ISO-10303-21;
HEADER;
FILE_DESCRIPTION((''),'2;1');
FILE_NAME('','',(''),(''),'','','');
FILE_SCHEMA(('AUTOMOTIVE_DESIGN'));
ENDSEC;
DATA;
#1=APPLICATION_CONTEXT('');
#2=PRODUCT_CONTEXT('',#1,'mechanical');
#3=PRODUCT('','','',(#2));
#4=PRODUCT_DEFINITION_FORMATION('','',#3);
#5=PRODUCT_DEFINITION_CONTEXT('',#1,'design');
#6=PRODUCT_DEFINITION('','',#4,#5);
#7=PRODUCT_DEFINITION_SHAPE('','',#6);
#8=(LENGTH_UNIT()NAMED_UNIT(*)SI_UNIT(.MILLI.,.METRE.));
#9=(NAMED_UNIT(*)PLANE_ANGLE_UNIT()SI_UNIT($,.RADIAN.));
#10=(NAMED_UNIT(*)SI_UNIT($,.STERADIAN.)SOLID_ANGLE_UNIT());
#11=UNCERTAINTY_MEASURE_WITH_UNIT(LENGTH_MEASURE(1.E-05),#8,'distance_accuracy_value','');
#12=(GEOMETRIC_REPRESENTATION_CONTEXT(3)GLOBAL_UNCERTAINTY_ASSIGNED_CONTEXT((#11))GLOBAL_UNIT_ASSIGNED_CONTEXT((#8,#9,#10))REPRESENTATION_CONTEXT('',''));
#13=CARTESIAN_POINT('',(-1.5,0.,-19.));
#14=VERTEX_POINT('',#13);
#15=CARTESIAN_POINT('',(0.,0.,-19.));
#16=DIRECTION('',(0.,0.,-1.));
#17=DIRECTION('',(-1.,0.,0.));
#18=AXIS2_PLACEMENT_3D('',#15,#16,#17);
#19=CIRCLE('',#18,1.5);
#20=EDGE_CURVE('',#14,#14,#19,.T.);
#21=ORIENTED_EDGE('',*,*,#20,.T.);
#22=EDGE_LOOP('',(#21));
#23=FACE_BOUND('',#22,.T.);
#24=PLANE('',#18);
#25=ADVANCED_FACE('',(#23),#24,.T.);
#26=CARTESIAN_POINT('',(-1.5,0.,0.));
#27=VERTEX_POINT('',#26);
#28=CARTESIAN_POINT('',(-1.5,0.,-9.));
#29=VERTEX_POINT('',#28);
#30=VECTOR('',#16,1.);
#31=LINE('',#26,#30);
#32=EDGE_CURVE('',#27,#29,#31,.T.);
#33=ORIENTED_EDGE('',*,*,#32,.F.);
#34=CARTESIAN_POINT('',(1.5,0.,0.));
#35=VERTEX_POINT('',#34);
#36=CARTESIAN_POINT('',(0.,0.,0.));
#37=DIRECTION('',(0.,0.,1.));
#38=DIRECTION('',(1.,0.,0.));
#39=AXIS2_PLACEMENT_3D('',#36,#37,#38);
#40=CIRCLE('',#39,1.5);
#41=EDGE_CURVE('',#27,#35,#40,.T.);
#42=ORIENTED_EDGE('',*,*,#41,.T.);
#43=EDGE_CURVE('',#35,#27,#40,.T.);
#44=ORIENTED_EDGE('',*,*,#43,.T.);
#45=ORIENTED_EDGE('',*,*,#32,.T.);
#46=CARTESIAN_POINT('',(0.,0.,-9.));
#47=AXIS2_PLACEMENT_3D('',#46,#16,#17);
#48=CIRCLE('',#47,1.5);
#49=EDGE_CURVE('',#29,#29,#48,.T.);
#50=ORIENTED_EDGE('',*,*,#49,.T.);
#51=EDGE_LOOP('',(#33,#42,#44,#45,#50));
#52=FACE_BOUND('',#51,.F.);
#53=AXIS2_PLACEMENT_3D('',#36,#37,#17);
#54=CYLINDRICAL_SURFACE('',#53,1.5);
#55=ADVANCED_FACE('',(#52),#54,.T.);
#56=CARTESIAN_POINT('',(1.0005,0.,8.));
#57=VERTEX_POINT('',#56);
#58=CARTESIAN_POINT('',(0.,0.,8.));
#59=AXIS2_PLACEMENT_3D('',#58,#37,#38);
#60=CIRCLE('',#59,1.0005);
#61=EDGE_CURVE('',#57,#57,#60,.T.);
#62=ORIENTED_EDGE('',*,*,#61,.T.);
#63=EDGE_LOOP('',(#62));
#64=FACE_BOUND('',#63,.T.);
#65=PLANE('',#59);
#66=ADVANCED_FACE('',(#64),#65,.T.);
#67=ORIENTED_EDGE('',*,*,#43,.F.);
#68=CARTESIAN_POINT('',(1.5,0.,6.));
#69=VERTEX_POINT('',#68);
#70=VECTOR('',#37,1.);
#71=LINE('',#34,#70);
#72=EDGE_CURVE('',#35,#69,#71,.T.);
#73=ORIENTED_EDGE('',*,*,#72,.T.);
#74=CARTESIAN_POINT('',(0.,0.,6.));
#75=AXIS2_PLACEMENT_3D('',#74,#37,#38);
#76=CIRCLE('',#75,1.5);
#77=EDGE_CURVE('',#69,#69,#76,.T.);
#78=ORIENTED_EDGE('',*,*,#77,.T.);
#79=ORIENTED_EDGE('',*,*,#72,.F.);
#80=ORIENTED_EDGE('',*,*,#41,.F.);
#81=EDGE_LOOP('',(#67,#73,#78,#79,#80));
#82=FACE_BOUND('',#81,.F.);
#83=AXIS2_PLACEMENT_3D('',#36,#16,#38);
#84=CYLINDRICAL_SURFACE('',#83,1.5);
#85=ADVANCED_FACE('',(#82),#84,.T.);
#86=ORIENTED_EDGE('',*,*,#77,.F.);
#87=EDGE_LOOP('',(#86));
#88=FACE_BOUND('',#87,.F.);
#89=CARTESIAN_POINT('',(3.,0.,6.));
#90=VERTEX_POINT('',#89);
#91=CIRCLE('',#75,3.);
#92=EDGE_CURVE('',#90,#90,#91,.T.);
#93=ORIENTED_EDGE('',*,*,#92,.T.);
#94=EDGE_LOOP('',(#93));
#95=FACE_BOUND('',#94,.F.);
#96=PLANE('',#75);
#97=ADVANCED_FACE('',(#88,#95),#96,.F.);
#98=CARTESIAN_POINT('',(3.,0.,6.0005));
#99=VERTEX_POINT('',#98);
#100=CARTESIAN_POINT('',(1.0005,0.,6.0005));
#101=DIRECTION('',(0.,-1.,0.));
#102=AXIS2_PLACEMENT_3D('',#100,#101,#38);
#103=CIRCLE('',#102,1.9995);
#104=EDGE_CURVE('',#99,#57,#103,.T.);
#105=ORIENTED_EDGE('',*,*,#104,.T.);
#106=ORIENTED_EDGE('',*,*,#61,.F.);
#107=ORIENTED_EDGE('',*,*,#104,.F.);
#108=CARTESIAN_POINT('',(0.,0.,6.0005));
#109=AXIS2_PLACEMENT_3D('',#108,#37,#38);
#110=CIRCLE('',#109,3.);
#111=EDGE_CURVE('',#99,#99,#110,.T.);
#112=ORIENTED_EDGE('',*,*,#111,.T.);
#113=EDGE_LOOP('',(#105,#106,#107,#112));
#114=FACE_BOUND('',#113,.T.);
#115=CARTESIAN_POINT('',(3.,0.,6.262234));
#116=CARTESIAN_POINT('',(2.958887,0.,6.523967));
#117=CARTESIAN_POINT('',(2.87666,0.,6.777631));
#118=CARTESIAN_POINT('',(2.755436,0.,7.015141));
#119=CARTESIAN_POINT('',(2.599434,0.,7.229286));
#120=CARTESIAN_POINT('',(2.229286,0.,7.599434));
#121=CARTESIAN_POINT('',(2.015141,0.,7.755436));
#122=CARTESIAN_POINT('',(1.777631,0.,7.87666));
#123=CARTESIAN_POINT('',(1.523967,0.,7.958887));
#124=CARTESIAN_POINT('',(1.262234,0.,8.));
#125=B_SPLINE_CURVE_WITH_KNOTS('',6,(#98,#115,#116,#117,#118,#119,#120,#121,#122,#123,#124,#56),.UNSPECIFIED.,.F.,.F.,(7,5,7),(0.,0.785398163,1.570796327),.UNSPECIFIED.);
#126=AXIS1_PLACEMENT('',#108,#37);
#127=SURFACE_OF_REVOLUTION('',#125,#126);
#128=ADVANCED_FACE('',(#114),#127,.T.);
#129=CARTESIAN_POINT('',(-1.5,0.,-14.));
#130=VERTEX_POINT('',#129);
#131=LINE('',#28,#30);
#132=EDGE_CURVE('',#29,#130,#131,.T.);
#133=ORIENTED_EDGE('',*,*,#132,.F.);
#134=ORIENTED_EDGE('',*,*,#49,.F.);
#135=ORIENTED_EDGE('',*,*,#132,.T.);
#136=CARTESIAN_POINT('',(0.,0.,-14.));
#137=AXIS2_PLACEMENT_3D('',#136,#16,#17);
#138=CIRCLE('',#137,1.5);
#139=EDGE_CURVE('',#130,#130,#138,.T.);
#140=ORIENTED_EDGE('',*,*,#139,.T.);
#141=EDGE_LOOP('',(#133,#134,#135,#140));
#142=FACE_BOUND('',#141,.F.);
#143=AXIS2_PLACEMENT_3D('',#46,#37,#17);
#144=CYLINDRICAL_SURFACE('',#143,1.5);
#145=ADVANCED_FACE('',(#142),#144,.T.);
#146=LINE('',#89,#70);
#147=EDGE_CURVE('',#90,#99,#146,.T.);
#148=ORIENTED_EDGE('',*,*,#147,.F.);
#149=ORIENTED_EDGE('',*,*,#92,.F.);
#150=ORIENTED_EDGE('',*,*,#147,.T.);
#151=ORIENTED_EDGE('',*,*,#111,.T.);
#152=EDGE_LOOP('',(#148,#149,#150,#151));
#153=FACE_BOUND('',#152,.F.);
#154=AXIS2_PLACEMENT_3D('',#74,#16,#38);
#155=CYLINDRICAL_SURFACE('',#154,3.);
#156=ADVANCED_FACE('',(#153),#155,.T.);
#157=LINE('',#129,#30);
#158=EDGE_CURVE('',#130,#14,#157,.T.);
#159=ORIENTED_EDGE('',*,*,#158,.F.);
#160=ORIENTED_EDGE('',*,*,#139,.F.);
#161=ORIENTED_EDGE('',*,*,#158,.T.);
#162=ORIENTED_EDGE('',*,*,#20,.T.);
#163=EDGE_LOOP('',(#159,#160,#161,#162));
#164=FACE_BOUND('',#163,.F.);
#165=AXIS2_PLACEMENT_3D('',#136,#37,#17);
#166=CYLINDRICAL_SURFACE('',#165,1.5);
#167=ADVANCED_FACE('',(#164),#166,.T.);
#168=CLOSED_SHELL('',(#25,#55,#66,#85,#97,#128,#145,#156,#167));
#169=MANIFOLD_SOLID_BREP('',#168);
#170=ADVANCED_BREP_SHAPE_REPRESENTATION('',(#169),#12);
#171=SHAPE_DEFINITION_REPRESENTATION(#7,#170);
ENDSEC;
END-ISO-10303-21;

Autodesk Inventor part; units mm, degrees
ref_plane "YZ Plane" through (0, 0, 0) normal (1, 0, 0) x (0, 1, 0)
ref_plane "XZ Plane" through (0, 0, 0) normal (0, 1, 0) x (-1, 0, 0)
ref_plane "XY Plane" through (0, 0, 0) normal (0, 0, 1) x (1, 0, 0)
sketch "スケッチ1" plane through (0, 0, 0) normal (0, 0, 1) x (1, 0, 0)
  circle A0 centre (0, 0) radius 1.5
  dimension "d0" = 3
extrude "押し出し1" add sketch "スケッチ1" along normal blind 6
sketch "スケッチ2" plane through (0, 0, 6) normal (0, 0, 1) x (1, 0, 0)
  circle A0 centre (0, 0) radius 1.5 projected
  circle A1 centre (0, 0) radius 3
  dimension "d3" = 6
extrude "押し出し2" add sketch "スケッチ2" along normal blind 2 contours A0 | A1
fillet "フィレット1" radius 2 1 edges at (-3, 0, 8)
thread "ねじ1" size "M3x0.5" class "6g" standard "ANSI Metric M Profile" full length
sketch "スケッチ3" plane through (0, 0, 0) normal (0, 0, -1) x (-1, 0, 0)
  circle A0 centre (0, 0) radius 1.5 projected
extrude "押し出し3" add sketch "スケッチ3" along normal blind 9
sketch "スケッチ4" plane through (0, 0, -9) normal (0, 0, -1) x (-1, 0, 0)
  circle A0 centre (0, 0) radius 1.5 projected
extrude "押し出し4" add sketch "スケッチ4" along normal blind 5
sketch "スケッチ5" plane through (0, 0, -14) normal (0, 0, -1) x (-1, 0, 0)
  circle A0 centre (0, 0) radius 1.5
  dimension "d13" = 3
extrude "押し出し5" add sketch "スケッチ5" along normal blind 5
properties part number "SB　25mmなべネジ" material "鋼、高強度、低合金"
